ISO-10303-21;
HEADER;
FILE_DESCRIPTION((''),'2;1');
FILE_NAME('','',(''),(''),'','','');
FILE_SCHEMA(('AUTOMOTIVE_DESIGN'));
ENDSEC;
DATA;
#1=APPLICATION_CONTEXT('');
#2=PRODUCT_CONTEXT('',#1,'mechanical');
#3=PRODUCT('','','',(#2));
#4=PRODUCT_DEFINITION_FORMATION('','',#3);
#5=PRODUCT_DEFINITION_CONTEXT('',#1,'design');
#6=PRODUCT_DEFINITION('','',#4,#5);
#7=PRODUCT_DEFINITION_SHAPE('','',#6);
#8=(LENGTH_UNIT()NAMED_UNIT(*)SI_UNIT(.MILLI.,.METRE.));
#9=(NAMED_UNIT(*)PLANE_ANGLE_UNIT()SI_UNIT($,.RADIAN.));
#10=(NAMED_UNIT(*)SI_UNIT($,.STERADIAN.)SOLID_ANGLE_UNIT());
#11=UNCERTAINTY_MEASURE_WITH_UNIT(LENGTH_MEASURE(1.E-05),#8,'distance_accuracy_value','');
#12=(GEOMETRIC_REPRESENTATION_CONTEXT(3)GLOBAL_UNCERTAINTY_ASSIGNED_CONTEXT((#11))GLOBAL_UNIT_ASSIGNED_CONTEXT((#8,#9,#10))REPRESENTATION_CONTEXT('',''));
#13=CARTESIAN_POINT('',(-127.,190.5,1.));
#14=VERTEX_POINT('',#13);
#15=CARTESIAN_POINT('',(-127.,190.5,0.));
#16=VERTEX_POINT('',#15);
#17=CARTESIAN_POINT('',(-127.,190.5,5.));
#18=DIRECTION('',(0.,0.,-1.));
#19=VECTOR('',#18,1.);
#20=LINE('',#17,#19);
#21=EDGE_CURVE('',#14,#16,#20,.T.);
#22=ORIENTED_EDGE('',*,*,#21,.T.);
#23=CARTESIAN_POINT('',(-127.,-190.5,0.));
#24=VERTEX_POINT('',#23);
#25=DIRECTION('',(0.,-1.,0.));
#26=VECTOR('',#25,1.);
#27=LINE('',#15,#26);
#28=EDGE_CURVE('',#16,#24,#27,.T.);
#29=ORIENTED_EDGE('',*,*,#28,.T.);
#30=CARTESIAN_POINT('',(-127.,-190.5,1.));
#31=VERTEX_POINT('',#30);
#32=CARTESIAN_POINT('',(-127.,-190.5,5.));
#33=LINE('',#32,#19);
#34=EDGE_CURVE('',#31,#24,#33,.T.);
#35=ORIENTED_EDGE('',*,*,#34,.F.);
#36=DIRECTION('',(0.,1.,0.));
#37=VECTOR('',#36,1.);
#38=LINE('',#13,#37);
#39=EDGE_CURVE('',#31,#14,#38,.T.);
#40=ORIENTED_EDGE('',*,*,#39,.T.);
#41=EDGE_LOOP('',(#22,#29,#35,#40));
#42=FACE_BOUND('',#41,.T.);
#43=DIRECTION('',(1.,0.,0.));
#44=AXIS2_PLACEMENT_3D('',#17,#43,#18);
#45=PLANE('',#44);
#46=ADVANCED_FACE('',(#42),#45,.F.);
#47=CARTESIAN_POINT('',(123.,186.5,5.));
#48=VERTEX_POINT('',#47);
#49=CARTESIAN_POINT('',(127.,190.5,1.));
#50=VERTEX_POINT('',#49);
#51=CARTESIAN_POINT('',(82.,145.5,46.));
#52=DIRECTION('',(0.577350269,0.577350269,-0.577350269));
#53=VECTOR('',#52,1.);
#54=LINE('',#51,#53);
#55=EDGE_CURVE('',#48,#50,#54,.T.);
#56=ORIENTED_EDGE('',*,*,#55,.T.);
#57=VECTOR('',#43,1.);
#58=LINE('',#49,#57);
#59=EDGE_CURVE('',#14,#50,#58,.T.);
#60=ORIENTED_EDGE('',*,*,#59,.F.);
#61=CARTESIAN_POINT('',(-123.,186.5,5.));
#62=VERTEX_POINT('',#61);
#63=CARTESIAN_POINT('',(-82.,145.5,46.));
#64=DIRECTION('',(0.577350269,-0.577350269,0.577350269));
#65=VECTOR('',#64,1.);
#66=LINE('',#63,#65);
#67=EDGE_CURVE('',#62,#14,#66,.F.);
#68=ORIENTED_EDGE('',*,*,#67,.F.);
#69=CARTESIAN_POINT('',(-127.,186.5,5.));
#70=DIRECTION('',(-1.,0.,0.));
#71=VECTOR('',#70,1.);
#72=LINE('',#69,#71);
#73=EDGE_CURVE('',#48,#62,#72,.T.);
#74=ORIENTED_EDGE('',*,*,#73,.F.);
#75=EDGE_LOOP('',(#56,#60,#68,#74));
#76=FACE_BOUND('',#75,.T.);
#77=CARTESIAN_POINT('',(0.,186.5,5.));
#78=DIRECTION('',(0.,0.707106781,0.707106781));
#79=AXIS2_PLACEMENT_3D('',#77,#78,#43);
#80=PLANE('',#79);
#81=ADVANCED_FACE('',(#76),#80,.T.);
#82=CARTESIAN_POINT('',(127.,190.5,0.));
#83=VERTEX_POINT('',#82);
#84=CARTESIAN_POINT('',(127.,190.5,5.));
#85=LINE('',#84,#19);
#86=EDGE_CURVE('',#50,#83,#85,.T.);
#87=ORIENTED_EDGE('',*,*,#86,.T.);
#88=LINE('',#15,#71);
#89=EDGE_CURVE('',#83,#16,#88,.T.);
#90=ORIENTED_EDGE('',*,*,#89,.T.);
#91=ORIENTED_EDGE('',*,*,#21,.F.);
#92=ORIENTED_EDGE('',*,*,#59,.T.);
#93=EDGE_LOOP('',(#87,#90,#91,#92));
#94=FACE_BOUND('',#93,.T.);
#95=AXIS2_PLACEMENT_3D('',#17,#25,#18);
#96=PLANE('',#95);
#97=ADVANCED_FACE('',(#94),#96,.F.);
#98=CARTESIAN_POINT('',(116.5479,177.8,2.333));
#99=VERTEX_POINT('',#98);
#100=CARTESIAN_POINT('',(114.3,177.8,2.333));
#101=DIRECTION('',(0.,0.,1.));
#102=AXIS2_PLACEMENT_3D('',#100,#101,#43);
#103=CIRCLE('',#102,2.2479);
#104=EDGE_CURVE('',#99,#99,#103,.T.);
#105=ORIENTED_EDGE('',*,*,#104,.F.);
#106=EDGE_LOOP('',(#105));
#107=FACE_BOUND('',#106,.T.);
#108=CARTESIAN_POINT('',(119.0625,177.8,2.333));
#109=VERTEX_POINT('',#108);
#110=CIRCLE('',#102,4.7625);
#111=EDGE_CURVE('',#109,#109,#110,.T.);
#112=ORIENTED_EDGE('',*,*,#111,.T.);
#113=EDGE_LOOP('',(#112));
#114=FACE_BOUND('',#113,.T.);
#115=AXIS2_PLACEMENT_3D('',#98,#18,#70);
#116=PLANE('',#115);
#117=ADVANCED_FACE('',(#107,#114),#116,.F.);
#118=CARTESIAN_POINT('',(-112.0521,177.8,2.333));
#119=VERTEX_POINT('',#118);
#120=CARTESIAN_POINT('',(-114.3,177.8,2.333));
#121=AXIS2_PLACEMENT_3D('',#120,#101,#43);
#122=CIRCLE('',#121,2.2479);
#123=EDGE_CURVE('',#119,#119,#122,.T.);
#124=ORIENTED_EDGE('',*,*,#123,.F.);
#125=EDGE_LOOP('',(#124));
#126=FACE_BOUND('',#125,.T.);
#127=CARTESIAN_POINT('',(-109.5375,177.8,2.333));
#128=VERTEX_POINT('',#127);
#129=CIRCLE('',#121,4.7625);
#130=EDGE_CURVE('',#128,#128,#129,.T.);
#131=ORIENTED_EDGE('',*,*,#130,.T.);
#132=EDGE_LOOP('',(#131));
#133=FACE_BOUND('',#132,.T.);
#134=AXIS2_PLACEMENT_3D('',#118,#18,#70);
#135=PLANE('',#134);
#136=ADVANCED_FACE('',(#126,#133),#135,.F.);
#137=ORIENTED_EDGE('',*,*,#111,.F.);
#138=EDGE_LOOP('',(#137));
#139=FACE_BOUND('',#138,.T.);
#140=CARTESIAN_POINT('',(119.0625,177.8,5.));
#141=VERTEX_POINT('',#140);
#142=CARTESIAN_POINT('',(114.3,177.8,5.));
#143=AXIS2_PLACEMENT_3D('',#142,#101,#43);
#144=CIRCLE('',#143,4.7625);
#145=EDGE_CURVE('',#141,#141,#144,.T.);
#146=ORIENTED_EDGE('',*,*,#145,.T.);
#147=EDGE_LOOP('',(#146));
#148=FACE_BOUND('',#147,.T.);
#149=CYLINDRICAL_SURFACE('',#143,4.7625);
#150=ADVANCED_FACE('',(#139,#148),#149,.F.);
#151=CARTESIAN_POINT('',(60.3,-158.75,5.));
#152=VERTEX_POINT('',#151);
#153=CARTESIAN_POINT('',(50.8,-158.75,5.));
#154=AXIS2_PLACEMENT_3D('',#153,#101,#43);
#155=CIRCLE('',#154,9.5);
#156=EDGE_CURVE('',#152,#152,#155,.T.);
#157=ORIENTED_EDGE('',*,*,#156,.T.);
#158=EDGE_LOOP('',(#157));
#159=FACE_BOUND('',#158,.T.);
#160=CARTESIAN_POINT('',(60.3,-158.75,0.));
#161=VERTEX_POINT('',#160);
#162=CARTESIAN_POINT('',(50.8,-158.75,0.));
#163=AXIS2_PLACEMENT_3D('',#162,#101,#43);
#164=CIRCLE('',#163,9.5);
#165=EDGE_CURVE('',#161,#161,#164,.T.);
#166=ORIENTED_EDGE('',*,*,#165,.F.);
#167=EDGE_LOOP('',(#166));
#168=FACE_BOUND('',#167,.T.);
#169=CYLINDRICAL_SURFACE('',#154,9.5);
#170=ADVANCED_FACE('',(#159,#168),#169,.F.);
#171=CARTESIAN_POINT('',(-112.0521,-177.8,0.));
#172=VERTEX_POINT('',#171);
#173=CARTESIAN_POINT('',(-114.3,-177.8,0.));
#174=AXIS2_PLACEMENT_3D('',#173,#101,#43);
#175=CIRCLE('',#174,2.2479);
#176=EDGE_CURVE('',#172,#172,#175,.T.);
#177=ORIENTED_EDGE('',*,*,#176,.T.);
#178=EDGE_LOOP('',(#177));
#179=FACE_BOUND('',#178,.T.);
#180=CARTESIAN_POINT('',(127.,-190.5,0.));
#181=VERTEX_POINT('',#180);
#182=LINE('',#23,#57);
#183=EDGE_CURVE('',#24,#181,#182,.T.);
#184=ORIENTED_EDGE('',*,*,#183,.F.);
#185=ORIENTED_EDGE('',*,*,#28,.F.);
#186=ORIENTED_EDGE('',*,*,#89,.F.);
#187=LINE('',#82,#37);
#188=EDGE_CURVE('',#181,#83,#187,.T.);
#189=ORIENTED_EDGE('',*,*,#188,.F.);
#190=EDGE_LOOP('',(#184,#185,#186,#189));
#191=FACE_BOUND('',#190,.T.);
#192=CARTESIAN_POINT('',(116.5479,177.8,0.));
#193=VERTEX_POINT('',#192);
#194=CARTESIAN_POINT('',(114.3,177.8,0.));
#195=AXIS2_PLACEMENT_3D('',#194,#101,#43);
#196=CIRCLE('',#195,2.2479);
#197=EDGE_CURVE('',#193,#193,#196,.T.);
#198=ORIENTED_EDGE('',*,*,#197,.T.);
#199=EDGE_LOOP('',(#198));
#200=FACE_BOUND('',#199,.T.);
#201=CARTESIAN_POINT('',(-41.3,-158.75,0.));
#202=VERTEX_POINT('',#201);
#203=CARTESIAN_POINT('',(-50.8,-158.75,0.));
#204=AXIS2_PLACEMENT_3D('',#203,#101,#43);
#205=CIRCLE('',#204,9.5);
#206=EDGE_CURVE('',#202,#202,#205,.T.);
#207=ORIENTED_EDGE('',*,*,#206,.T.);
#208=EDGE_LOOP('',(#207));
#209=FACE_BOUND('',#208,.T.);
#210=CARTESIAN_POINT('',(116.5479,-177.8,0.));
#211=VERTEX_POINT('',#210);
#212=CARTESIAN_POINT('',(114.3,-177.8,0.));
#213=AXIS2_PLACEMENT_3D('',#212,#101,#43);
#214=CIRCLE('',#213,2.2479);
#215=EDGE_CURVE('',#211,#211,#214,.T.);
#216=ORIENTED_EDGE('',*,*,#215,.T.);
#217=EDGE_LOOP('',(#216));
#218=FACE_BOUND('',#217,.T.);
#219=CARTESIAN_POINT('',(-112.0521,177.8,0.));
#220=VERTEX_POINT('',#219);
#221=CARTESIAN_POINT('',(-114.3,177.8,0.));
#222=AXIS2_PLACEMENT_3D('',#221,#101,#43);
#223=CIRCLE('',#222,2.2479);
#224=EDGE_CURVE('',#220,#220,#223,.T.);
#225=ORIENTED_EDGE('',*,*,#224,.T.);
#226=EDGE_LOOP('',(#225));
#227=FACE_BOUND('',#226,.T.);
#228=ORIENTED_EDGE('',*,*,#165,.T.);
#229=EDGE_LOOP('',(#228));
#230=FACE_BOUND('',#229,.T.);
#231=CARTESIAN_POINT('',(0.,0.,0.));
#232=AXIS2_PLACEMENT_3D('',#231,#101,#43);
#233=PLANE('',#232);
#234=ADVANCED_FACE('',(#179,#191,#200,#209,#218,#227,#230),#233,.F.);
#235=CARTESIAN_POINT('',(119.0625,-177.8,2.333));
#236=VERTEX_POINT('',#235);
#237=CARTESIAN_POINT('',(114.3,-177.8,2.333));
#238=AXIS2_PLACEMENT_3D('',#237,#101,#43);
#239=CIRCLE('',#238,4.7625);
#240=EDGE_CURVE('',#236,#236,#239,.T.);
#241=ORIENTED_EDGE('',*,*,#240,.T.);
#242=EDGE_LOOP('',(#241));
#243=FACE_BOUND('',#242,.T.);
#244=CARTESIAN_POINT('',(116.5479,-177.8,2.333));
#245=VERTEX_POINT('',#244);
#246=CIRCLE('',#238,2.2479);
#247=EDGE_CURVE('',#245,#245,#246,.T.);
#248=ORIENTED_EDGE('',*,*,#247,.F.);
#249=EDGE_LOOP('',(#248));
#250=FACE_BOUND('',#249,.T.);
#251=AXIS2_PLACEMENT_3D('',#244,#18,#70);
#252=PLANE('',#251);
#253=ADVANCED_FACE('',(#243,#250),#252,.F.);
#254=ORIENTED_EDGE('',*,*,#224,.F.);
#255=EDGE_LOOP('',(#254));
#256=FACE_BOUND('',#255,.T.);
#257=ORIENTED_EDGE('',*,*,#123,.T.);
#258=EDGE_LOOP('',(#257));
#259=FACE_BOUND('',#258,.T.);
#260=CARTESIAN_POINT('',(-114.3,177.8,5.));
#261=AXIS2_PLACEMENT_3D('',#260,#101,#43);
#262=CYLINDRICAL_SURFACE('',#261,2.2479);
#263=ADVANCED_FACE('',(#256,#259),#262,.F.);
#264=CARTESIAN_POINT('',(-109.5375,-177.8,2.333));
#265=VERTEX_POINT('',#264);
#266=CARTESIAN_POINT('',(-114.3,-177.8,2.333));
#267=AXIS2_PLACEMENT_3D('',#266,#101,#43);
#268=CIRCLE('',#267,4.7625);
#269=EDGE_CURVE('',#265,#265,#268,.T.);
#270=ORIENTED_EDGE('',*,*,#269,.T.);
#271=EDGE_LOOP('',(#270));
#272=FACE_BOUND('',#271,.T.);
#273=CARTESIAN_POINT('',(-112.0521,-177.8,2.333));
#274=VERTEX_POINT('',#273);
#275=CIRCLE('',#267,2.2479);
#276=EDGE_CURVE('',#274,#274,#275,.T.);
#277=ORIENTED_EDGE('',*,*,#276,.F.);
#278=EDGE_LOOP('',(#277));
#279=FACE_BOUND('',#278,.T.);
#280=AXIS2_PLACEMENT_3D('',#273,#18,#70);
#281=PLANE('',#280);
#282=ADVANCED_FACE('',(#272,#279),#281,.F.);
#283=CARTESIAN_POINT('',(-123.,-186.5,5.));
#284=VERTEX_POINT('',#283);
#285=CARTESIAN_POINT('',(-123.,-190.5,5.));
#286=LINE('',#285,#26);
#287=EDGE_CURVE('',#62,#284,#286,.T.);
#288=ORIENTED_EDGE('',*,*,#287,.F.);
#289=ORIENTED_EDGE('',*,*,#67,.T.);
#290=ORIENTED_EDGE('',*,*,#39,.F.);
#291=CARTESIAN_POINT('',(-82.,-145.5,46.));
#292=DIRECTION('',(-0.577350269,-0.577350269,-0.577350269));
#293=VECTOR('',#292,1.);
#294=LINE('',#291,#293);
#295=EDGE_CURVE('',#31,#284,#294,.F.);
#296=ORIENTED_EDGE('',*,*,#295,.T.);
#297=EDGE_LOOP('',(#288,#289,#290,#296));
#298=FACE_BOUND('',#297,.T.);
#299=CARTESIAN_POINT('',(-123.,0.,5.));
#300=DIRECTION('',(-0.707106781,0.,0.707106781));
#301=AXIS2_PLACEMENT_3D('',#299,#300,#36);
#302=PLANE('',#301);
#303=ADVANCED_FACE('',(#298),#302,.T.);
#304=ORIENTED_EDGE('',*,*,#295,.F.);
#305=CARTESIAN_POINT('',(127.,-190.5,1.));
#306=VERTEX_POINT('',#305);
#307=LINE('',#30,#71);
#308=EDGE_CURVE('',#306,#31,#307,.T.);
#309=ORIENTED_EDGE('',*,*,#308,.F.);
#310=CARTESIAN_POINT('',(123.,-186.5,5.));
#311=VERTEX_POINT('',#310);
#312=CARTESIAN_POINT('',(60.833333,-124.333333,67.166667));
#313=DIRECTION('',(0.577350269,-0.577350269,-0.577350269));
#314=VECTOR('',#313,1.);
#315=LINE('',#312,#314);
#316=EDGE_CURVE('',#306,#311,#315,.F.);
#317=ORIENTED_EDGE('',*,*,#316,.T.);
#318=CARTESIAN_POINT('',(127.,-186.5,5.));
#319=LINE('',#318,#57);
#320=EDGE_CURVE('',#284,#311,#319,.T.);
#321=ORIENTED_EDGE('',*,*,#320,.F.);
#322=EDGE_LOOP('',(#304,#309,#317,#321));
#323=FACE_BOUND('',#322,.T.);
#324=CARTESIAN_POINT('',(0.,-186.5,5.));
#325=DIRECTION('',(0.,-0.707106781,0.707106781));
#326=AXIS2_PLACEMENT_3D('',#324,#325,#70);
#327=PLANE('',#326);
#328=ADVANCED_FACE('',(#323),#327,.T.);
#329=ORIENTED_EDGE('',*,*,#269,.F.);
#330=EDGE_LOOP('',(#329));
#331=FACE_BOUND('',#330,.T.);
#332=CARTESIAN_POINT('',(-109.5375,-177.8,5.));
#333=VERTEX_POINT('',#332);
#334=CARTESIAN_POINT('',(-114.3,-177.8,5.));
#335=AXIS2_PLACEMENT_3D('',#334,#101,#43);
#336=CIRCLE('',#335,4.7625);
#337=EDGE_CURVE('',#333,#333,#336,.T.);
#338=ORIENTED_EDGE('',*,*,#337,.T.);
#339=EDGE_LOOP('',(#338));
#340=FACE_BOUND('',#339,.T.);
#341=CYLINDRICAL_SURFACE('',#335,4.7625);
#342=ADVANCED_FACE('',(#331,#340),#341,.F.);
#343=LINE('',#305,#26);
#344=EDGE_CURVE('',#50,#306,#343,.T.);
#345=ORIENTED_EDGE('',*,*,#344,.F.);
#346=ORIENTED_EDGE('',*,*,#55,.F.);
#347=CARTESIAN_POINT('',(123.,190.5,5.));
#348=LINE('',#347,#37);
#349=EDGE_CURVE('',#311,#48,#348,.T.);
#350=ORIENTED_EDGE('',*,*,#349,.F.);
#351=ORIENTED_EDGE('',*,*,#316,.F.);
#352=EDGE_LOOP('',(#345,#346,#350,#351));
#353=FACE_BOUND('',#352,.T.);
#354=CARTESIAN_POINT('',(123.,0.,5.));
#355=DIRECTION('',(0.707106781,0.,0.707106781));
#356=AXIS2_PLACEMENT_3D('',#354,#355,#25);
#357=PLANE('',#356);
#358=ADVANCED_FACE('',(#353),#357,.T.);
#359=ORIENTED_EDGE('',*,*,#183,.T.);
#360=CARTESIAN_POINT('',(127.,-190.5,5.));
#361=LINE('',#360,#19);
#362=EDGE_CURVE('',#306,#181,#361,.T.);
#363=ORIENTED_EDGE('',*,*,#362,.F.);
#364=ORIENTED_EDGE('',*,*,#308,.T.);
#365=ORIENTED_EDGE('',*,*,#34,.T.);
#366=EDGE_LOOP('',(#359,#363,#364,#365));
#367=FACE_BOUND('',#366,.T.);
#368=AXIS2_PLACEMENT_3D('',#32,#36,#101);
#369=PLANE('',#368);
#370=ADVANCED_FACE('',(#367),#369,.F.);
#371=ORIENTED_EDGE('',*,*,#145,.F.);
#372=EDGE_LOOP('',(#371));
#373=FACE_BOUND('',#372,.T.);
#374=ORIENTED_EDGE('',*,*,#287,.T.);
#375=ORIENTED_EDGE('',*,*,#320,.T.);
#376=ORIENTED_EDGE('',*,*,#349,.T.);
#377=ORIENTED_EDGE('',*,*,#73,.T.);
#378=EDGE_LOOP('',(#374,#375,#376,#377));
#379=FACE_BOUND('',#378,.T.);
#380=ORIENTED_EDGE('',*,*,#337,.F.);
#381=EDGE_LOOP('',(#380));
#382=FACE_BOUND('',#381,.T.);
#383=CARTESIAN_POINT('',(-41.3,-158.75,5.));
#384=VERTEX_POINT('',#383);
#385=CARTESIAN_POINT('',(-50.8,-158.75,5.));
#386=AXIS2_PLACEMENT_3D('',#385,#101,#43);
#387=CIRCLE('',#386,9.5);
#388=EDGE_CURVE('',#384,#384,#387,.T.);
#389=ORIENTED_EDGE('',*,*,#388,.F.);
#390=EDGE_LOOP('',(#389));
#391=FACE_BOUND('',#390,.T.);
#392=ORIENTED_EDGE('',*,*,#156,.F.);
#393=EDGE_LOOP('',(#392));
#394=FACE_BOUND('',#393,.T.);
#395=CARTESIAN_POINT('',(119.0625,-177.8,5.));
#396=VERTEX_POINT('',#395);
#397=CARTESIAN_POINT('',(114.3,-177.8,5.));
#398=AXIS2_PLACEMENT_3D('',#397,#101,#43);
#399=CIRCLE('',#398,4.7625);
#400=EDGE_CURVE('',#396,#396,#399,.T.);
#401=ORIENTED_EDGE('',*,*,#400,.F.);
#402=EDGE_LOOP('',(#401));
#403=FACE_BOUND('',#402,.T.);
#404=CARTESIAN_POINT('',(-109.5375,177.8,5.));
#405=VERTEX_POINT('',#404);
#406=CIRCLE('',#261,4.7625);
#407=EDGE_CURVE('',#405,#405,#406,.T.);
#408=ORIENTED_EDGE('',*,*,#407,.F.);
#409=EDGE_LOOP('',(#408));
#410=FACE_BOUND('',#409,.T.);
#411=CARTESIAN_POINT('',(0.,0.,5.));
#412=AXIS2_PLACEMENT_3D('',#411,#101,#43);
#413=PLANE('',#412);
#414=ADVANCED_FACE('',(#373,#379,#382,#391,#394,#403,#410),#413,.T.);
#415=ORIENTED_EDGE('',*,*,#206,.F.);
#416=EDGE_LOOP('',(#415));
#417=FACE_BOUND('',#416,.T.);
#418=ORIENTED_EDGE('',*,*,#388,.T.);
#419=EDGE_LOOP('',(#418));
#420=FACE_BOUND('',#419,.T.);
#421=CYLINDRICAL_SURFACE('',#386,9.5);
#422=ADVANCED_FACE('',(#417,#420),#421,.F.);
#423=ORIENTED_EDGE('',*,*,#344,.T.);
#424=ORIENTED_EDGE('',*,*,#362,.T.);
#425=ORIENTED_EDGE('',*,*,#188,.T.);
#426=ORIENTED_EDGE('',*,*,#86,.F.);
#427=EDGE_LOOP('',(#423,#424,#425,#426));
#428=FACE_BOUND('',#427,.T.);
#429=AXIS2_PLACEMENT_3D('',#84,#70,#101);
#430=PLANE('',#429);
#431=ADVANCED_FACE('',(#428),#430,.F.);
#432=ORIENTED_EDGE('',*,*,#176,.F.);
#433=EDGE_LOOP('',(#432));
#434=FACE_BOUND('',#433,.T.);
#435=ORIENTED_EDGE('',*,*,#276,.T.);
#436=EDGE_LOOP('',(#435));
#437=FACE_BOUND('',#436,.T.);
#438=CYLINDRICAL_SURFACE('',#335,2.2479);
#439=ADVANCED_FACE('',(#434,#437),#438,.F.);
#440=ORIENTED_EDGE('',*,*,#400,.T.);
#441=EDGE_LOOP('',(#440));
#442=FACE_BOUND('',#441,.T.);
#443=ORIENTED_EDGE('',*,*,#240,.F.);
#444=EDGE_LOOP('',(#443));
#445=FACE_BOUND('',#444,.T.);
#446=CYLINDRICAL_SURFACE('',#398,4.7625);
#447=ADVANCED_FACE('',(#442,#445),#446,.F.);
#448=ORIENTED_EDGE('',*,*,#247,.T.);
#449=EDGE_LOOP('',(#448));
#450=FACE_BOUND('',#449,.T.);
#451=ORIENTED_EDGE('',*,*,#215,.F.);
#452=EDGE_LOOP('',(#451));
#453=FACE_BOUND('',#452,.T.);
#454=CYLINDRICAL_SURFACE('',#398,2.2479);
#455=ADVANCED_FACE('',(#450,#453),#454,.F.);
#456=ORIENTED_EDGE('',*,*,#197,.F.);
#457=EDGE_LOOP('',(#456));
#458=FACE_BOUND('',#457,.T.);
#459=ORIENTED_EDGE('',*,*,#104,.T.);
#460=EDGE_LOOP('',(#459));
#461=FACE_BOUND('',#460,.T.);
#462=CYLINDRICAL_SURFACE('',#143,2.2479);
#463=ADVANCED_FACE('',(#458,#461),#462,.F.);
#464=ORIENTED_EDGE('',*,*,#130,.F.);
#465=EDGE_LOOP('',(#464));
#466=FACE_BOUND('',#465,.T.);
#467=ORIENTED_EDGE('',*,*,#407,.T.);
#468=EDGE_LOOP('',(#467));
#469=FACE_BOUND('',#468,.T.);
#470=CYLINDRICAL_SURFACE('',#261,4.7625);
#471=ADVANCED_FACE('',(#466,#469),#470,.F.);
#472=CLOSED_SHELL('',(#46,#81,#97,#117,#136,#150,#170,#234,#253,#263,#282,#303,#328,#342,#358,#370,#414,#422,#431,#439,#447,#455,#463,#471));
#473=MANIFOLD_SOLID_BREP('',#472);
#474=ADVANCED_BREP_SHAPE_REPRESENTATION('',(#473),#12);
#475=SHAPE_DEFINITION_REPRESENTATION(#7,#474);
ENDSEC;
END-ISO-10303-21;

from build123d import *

# Parameters (mm, degrees)
SKETCH1_W                                           = 254
SKETCH1_H                                           = 381
BOSS_EXTRUDE1_DEPTH                                 = 5
CHAMFER1_SIZE                                       = 4
CBORE_FOR_8_BINDING_HEAD_MACHINE_SCREW1_D           = 4.4958
CBORE_FOR_8_BINDING_HEAD_MACHINE_SCREW1_CBORE_D     = 9.525
CBORE_FOR_8_BINDING_HEAD_MACHINE_SCREW1_CBORE_DEPTH = 2.667
LPATTERN1_COUNT                                     = 2
LPATTERN1_PITCH                                     = 355.6
LPATTERN1_COUNT_DIR2                                = 2
LPATTERN1_PITCH_DIR2                                = 228.6
F_19_0_19_DIAMETER_HOLE1_D                          = 19


with BuildPart() as part:
    # Sketch1 → Boss-Extrude1 (new body)
    with BuildSketch(Plane.XY):
        Rectangle(SKETCH1_W, SKETCH1_H)
    extrude(amount=BOSS_EXTRUDE1_DEPTH)

    # Chamfer1
    chamfer1_edges = [part.edges().sort_by_distance(p)[0] for p in [
        (127, 0, 5),
        (0, 190.5, 5),
        (-127, 0, 5),
        (0, -190.5, 5),
    ]]
    chamfer(chamfer1_edges, length=CHAMFER1_SIZE)

    # CBORE for #8 Binding Head Machine Screw1 (through all)
    with Locations(Plane.XY.offset(5)):
        with Locations((-114.3, 177.8)):
            cbore_for_8_binding_head_machine_screw1 = CounterBoreHole(CBORE_FOR_8_BINDING_HEAD_MACHINE_SCREW1_D / 2, CBORE_FOR_8_BINDING_HEAD_MACHINE_SCREW1_CBORE_D / 2, CBORE_FOR_8_BINDING_HEAD_MACHINE_SCREW1_CBORE_DEPTH)

    # LPattern1: CBORE for _8 Binding Head Machine Screw1 2 × 2
    with Locations(*[(j * LPATTERN1_PITCH_DIR2, -i * LPATTERN1_PITCH, 0) for i in range(LPATTERN1_COUNT) for j in range(LPATTERN1_COUNT_DIR2) if (i, j) != (0, 0)]):
        add(cbore_for_8_binding_head_machine_screw1, mode=Mode.SUBTRACT)

    # Ø19.0 (19) Diameter Hole1 (through all)
    with Locations(Plane.XY.offset(5)):
        with Locations((-50.8, -158.75), (50.8, -158.75)):
            Hole(F_19_0_19_DIAMETER_HOLE1_D / 2)


solid = part.part
